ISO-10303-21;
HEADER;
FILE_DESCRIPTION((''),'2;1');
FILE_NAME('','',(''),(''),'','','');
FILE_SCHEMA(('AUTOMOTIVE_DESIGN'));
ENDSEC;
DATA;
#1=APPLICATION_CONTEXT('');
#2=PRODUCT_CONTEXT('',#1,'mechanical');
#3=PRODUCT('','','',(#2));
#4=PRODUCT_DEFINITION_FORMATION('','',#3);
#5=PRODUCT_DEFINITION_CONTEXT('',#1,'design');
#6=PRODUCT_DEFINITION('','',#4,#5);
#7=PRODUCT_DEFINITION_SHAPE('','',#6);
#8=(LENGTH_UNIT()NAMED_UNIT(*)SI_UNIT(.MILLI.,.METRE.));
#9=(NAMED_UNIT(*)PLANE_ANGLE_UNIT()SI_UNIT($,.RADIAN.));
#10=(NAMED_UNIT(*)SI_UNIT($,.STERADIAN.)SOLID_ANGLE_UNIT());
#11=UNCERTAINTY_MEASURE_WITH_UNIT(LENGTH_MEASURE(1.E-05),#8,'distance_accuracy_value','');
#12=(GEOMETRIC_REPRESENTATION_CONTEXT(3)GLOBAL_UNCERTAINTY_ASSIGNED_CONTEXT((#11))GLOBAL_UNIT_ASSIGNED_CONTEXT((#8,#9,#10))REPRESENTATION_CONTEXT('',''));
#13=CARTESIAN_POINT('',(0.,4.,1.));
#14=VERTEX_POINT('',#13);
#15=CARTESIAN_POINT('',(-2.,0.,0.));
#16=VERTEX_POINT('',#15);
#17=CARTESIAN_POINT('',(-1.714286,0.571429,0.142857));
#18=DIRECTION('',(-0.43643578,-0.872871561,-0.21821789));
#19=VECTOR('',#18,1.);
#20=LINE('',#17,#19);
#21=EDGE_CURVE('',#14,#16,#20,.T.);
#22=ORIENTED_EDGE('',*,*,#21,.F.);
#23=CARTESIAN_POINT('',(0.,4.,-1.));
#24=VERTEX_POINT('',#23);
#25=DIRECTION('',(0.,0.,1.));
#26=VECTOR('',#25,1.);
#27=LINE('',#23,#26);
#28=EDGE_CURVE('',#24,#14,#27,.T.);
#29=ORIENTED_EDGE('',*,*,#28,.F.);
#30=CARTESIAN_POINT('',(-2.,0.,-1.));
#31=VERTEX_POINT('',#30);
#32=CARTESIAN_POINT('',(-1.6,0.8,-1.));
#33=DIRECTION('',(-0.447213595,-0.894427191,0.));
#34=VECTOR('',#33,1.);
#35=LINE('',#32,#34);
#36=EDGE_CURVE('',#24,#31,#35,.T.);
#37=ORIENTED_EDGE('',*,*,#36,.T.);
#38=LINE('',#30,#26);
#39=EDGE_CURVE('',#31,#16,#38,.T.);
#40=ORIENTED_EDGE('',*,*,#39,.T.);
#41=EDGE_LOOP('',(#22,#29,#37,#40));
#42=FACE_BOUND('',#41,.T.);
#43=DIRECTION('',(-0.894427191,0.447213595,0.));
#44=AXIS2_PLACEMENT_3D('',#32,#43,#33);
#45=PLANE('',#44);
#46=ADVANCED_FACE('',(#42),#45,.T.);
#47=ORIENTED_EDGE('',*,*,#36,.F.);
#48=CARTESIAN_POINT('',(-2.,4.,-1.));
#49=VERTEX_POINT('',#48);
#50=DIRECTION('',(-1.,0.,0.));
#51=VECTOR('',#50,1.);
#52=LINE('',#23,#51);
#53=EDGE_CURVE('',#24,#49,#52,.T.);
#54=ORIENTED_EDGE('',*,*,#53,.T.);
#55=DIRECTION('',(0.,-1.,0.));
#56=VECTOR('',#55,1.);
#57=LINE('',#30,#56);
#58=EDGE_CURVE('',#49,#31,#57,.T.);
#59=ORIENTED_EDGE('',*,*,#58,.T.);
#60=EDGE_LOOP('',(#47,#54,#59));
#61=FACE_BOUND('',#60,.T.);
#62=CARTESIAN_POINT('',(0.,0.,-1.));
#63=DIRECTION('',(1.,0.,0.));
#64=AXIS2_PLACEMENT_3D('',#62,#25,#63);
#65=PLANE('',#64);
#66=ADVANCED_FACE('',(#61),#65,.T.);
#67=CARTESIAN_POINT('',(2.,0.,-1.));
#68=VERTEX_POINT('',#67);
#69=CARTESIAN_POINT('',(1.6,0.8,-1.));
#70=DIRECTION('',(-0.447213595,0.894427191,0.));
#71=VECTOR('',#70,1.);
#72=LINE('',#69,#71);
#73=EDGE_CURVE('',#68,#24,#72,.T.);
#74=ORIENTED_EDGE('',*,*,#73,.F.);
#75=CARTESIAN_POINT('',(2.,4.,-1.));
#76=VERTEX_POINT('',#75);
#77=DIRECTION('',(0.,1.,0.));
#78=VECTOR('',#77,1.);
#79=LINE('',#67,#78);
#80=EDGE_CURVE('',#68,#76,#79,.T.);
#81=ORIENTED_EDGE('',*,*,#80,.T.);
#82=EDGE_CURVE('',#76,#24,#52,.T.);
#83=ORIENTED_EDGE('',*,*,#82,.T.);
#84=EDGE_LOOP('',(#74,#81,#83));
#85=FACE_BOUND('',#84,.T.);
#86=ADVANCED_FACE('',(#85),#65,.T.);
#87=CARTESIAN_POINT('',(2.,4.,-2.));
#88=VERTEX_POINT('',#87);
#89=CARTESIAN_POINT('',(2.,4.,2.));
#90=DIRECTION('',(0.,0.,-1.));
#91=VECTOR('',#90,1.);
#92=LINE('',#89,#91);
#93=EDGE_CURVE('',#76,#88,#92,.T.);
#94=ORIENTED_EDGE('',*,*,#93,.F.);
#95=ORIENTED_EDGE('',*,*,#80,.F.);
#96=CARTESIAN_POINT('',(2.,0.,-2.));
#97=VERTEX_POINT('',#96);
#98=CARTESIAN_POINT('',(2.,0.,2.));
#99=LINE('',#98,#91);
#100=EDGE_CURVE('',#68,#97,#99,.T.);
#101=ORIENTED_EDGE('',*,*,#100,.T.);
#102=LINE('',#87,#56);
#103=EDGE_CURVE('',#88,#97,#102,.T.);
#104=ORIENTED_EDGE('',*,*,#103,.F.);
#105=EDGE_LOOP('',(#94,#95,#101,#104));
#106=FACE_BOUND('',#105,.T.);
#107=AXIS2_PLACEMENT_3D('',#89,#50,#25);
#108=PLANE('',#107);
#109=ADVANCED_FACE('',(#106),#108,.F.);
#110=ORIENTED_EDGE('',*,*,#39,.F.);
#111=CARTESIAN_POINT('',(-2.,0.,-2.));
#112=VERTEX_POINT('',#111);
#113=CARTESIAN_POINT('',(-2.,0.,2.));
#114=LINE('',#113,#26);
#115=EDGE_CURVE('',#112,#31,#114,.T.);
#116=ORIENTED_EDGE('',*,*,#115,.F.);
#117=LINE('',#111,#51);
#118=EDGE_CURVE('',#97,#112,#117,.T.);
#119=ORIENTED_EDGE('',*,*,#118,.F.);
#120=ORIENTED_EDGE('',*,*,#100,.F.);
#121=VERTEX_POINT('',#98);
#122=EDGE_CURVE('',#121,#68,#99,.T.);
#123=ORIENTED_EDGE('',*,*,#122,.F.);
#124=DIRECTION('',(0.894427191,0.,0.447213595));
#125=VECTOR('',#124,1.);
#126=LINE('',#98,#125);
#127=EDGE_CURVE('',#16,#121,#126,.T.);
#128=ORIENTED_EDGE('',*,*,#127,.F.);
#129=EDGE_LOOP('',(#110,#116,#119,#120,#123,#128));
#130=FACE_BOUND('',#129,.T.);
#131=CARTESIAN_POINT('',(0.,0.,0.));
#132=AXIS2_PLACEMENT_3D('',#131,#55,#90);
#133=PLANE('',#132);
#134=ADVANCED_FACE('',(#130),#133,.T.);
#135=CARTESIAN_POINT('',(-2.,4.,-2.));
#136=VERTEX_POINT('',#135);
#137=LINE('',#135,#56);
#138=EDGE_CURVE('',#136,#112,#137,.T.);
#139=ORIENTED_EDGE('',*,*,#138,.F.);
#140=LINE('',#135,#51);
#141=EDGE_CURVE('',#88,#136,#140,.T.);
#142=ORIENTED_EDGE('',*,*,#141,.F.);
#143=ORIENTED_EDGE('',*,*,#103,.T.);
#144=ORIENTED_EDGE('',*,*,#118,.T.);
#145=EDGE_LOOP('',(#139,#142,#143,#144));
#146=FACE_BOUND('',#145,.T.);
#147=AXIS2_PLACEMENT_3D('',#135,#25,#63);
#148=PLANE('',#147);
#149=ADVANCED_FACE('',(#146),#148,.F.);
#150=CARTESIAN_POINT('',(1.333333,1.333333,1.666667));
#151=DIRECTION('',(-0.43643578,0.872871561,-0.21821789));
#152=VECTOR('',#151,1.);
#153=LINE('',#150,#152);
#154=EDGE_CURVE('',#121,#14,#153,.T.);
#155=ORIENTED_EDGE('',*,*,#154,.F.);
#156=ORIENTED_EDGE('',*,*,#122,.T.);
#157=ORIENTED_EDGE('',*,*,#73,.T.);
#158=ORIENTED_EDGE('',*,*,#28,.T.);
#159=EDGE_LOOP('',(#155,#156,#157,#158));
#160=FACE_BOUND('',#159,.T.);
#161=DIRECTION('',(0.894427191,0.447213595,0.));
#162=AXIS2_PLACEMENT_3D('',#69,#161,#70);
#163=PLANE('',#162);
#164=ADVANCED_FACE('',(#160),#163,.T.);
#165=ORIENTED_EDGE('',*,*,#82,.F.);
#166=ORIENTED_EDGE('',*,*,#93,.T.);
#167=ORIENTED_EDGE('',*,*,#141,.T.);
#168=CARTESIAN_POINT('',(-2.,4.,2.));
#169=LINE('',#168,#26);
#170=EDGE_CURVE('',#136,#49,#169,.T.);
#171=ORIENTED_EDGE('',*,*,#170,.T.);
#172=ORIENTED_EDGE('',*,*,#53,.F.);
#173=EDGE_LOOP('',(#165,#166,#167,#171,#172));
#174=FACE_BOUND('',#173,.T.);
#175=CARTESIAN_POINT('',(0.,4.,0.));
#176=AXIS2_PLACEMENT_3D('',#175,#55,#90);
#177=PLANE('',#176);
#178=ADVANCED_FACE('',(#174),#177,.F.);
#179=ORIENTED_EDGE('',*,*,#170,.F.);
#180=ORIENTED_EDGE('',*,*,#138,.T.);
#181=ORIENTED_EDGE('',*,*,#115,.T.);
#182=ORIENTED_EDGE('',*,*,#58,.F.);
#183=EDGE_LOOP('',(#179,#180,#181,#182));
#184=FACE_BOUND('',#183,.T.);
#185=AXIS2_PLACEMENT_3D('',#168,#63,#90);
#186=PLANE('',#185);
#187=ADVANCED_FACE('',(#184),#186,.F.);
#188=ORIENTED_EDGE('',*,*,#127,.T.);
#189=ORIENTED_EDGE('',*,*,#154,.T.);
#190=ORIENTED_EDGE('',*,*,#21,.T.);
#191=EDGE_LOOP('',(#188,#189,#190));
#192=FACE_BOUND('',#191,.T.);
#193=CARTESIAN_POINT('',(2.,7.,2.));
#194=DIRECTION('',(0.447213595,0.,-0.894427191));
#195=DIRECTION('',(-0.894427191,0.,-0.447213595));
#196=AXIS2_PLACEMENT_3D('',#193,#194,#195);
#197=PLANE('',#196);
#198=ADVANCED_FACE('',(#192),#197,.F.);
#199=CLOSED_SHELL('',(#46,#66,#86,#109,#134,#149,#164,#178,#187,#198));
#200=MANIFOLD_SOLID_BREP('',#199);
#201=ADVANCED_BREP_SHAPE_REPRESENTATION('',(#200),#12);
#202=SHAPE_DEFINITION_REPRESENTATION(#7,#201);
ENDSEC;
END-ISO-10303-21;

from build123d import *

# Parameters (mm, degrees)
SKETCH2_W           = 4
SKETCH2_H           = 4
BOSS_EXTRUDE1_DEPTH = 4
CUT_EXTRUDE1_DEPTH  = 3
CUT_EXTRUDE2_DEPTH  = 7


with BuildPart() as part:
    # Sketch2 → Boss-Extrude1 (new body)
    with BuildSketch(Plane(origin=(0, 0, 0), x_dir=(1, 0, 0), z_dir=(0, 1, 0))):
        Rectangle(SKETCH2_W, SKETCH2_H)
    extrude(amount=BOSS_EXTRUDE1_DEPTH)

    # Sketch3 → Cut-Extrude1 (cut)
    with BuildSketch(Plane.XY.offset(2)):
        Polygon((2, 4), (0, 4), (2, 0), align=None)
        Polygon((-2, 4), (-2, 0), (0, 4), align=None)
    extrude(amount=-CUT_EXTRUDE1_DEPTH, mode=Mode.SUBTRACT)

    # Sketch4 → Cut-Extrude2 (cut)
    with BuildSketch(Plane.XZ):
        Polygon((2, 2), (-2, 0), (-2, 2), align=None)
    extrude(amount=-CUT_EXTRUDE2_DEPTH, mode=Mode.SUBTRACT)


solid = part.part
